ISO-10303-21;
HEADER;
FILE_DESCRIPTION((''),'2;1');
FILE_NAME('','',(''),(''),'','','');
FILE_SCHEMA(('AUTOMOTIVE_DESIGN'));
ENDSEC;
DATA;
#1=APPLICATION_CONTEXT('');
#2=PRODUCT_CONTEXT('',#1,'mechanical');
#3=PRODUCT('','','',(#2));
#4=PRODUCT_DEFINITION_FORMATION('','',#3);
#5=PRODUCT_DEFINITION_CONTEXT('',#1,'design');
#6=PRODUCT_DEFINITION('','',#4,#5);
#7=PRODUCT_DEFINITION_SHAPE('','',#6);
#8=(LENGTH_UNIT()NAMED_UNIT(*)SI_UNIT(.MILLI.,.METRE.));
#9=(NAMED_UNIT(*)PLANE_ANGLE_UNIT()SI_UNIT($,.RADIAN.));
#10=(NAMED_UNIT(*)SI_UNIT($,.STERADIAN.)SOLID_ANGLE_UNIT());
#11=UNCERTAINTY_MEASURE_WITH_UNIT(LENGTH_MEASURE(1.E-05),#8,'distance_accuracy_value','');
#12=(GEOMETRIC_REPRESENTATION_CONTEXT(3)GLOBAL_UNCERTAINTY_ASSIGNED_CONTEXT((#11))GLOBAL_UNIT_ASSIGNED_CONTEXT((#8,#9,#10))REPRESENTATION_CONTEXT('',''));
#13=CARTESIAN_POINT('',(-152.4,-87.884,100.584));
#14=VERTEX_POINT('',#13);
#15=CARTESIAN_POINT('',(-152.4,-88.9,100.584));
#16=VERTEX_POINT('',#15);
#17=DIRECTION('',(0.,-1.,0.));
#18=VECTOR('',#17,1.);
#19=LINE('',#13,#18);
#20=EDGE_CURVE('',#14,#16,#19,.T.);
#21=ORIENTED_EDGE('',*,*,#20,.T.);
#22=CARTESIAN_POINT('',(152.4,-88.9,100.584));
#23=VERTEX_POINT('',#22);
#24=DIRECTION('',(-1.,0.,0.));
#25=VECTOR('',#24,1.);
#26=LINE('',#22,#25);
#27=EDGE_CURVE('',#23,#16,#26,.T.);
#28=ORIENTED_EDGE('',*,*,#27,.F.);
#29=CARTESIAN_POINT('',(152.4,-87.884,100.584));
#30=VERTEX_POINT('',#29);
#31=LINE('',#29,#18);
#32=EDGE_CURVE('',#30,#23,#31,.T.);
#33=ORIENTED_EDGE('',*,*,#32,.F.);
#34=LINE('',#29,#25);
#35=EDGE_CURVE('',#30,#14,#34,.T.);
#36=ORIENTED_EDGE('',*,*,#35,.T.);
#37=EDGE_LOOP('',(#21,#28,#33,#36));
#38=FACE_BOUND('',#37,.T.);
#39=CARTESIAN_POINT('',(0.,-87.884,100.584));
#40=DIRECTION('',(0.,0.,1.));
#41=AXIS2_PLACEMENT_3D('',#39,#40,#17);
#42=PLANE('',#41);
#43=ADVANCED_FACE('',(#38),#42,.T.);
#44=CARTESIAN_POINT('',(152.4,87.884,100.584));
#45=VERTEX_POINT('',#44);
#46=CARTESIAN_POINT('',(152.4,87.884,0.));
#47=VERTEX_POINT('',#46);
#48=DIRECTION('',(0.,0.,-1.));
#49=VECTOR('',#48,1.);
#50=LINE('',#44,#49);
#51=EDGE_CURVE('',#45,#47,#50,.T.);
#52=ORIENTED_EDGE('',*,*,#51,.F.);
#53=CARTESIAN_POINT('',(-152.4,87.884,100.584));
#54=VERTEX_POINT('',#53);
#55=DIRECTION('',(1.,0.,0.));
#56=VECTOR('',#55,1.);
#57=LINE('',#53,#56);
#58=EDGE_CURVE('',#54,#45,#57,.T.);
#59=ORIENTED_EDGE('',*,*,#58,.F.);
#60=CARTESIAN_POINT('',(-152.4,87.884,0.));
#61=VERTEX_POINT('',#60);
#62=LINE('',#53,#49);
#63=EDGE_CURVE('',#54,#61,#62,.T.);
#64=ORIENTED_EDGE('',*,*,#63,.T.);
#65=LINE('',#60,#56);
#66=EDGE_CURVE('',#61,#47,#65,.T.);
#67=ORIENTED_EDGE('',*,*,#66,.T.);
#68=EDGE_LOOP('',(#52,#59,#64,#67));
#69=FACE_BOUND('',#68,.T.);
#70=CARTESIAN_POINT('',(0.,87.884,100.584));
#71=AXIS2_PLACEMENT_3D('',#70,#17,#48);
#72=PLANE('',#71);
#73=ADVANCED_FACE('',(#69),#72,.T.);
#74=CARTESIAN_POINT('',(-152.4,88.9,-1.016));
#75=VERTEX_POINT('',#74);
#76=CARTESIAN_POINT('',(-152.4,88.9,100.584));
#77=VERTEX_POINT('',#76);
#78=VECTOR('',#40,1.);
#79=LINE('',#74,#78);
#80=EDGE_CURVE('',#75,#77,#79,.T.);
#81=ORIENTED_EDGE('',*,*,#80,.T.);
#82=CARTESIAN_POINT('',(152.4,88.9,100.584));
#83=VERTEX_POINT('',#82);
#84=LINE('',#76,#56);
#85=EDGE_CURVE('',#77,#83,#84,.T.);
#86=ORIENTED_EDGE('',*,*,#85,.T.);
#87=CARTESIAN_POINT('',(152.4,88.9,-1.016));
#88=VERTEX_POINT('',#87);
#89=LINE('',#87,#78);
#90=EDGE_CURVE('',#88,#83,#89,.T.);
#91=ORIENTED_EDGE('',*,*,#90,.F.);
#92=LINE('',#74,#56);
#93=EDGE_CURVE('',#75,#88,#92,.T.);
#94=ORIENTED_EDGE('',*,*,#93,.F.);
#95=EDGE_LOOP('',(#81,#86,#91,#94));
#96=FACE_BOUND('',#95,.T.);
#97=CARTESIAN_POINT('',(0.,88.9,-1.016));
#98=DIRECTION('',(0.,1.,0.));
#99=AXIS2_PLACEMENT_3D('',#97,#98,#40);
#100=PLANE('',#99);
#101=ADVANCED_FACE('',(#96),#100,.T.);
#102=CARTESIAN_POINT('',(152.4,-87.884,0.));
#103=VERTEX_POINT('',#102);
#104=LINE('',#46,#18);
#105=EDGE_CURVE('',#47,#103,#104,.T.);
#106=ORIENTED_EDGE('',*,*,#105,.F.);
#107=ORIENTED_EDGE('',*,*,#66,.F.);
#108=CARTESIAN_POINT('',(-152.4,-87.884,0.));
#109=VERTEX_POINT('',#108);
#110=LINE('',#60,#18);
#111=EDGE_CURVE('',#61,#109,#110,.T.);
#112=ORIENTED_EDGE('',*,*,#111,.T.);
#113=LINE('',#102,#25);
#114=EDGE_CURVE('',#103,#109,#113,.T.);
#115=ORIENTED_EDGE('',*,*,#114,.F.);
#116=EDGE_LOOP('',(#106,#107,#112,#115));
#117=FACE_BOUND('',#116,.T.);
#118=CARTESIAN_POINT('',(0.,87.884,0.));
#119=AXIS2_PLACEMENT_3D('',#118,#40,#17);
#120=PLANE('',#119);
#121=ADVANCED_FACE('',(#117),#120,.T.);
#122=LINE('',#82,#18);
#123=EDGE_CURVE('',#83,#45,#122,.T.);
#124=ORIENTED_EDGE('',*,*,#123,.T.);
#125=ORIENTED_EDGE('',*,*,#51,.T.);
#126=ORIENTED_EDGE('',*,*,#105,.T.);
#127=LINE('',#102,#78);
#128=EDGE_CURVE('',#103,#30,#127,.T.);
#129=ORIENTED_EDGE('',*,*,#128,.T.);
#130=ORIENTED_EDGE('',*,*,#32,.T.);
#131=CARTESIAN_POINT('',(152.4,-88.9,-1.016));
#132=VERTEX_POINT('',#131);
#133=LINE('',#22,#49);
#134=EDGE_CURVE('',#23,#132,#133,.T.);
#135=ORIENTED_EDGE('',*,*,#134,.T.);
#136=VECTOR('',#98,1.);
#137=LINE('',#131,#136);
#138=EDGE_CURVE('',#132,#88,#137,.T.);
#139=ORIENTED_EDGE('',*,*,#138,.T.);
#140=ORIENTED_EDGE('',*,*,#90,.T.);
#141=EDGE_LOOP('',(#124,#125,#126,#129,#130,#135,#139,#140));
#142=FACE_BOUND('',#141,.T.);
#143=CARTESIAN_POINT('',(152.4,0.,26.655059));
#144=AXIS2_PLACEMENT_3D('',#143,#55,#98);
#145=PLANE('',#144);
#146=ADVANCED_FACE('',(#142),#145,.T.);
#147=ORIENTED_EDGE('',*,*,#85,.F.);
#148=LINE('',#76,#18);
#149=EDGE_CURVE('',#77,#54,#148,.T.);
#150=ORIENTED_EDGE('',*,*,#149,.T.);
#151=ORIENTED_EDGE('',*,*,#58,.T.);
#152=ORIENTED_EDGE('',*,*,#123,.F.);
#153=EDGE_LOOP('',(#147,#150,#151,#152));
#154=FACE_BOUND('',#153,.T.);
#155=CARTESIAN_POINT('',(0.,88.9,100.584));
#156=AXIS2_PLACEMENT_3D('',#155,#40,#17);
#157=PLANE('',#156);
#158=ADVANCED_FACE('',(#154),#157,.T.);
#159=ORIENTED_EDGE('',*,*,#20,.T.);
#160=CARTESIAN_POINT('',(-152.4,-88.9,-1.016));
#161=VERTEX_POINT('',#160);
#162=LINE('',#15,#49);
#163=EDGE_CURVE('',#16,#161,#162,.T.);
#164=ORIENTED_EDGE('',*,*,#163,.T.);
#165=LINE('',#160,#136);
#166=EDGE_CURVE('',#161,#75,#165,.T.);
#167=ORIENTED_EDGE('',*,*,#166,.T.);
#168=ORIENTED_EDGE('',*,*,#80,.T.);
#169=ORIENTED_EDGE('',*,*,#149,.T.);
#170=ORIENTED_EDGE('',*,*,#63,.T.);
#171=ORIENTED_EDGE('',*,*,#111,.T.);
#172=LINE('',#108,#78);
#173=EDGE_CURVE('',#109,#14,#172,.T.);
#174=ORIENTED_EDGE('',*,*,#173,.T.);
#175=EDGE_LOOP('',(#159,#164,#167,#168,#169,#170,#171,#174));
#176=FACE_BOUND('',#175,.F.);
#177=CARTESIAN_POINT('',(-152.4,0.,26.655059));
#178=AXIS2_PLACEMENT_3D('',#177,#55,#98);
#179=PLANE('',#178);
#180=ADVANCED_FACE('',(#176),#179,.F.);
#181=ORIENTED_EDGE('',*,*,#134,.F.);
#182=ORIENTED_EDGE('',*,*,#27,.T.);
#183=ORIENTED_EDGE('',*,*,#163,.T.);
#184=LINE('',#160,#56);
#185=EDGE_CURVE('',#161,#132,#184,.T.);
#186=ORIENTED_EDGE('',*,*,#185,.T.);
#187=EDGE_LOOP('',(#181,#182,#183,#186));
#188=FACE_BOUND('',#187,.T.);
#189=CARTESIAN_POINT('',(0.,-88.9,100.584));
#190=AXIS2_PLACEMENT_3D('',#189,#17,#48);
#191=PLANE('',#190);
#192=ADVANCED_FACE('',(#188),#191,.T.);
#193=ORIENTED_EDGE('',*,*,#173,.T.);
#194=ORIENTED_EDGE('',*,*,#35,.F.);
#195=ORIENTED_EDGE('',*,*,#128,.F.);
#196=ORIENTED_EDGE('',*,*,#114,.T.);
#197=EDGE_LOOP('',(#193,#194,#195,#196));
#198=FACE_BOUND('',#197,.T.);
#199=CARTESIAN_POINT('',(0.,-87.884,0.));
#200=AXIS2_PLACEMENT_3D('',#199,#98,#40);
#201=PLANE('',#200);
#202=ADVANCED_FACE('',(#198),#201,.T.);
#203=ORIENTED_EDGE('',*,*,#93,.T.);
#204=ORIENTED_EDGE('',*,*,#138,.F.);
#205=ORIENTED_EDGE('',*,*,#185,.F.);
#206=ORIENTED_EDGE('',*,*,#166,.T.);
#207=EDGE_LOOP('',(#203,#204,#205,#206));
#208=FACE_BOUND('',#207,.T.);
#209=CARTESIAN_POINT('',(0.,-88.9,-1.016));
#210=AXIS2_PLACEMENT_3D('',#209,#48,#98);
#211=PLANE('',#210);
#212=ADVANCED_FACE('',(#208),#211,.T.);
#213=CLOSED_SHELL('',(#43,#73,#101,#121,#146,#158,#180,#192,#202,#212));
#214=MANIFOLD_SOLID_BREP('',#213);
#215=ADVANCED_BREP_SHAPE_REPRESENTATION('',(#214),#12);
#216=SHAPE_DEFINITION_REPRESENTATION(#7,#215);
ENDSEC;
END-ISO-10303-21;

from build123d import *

# Parameters (mm, degrees)
PAD_DEPTH = 152.4


with BuildPart() as part:
    # Sketch → Pad (new body, symmetric)
    with BuildSketch(Plane.YZ):
        Polygon((-88.9, 100.584), (-88.9, -1.016), (88.9, -1.016), (88.9, 100.584), (87.884, 100.584), (87.884, 0), (-87.884, 0), (-87.884, 100.584), align=None)
    extrude(amount=PAD_DEPTH, both=True)


solid = part.part
